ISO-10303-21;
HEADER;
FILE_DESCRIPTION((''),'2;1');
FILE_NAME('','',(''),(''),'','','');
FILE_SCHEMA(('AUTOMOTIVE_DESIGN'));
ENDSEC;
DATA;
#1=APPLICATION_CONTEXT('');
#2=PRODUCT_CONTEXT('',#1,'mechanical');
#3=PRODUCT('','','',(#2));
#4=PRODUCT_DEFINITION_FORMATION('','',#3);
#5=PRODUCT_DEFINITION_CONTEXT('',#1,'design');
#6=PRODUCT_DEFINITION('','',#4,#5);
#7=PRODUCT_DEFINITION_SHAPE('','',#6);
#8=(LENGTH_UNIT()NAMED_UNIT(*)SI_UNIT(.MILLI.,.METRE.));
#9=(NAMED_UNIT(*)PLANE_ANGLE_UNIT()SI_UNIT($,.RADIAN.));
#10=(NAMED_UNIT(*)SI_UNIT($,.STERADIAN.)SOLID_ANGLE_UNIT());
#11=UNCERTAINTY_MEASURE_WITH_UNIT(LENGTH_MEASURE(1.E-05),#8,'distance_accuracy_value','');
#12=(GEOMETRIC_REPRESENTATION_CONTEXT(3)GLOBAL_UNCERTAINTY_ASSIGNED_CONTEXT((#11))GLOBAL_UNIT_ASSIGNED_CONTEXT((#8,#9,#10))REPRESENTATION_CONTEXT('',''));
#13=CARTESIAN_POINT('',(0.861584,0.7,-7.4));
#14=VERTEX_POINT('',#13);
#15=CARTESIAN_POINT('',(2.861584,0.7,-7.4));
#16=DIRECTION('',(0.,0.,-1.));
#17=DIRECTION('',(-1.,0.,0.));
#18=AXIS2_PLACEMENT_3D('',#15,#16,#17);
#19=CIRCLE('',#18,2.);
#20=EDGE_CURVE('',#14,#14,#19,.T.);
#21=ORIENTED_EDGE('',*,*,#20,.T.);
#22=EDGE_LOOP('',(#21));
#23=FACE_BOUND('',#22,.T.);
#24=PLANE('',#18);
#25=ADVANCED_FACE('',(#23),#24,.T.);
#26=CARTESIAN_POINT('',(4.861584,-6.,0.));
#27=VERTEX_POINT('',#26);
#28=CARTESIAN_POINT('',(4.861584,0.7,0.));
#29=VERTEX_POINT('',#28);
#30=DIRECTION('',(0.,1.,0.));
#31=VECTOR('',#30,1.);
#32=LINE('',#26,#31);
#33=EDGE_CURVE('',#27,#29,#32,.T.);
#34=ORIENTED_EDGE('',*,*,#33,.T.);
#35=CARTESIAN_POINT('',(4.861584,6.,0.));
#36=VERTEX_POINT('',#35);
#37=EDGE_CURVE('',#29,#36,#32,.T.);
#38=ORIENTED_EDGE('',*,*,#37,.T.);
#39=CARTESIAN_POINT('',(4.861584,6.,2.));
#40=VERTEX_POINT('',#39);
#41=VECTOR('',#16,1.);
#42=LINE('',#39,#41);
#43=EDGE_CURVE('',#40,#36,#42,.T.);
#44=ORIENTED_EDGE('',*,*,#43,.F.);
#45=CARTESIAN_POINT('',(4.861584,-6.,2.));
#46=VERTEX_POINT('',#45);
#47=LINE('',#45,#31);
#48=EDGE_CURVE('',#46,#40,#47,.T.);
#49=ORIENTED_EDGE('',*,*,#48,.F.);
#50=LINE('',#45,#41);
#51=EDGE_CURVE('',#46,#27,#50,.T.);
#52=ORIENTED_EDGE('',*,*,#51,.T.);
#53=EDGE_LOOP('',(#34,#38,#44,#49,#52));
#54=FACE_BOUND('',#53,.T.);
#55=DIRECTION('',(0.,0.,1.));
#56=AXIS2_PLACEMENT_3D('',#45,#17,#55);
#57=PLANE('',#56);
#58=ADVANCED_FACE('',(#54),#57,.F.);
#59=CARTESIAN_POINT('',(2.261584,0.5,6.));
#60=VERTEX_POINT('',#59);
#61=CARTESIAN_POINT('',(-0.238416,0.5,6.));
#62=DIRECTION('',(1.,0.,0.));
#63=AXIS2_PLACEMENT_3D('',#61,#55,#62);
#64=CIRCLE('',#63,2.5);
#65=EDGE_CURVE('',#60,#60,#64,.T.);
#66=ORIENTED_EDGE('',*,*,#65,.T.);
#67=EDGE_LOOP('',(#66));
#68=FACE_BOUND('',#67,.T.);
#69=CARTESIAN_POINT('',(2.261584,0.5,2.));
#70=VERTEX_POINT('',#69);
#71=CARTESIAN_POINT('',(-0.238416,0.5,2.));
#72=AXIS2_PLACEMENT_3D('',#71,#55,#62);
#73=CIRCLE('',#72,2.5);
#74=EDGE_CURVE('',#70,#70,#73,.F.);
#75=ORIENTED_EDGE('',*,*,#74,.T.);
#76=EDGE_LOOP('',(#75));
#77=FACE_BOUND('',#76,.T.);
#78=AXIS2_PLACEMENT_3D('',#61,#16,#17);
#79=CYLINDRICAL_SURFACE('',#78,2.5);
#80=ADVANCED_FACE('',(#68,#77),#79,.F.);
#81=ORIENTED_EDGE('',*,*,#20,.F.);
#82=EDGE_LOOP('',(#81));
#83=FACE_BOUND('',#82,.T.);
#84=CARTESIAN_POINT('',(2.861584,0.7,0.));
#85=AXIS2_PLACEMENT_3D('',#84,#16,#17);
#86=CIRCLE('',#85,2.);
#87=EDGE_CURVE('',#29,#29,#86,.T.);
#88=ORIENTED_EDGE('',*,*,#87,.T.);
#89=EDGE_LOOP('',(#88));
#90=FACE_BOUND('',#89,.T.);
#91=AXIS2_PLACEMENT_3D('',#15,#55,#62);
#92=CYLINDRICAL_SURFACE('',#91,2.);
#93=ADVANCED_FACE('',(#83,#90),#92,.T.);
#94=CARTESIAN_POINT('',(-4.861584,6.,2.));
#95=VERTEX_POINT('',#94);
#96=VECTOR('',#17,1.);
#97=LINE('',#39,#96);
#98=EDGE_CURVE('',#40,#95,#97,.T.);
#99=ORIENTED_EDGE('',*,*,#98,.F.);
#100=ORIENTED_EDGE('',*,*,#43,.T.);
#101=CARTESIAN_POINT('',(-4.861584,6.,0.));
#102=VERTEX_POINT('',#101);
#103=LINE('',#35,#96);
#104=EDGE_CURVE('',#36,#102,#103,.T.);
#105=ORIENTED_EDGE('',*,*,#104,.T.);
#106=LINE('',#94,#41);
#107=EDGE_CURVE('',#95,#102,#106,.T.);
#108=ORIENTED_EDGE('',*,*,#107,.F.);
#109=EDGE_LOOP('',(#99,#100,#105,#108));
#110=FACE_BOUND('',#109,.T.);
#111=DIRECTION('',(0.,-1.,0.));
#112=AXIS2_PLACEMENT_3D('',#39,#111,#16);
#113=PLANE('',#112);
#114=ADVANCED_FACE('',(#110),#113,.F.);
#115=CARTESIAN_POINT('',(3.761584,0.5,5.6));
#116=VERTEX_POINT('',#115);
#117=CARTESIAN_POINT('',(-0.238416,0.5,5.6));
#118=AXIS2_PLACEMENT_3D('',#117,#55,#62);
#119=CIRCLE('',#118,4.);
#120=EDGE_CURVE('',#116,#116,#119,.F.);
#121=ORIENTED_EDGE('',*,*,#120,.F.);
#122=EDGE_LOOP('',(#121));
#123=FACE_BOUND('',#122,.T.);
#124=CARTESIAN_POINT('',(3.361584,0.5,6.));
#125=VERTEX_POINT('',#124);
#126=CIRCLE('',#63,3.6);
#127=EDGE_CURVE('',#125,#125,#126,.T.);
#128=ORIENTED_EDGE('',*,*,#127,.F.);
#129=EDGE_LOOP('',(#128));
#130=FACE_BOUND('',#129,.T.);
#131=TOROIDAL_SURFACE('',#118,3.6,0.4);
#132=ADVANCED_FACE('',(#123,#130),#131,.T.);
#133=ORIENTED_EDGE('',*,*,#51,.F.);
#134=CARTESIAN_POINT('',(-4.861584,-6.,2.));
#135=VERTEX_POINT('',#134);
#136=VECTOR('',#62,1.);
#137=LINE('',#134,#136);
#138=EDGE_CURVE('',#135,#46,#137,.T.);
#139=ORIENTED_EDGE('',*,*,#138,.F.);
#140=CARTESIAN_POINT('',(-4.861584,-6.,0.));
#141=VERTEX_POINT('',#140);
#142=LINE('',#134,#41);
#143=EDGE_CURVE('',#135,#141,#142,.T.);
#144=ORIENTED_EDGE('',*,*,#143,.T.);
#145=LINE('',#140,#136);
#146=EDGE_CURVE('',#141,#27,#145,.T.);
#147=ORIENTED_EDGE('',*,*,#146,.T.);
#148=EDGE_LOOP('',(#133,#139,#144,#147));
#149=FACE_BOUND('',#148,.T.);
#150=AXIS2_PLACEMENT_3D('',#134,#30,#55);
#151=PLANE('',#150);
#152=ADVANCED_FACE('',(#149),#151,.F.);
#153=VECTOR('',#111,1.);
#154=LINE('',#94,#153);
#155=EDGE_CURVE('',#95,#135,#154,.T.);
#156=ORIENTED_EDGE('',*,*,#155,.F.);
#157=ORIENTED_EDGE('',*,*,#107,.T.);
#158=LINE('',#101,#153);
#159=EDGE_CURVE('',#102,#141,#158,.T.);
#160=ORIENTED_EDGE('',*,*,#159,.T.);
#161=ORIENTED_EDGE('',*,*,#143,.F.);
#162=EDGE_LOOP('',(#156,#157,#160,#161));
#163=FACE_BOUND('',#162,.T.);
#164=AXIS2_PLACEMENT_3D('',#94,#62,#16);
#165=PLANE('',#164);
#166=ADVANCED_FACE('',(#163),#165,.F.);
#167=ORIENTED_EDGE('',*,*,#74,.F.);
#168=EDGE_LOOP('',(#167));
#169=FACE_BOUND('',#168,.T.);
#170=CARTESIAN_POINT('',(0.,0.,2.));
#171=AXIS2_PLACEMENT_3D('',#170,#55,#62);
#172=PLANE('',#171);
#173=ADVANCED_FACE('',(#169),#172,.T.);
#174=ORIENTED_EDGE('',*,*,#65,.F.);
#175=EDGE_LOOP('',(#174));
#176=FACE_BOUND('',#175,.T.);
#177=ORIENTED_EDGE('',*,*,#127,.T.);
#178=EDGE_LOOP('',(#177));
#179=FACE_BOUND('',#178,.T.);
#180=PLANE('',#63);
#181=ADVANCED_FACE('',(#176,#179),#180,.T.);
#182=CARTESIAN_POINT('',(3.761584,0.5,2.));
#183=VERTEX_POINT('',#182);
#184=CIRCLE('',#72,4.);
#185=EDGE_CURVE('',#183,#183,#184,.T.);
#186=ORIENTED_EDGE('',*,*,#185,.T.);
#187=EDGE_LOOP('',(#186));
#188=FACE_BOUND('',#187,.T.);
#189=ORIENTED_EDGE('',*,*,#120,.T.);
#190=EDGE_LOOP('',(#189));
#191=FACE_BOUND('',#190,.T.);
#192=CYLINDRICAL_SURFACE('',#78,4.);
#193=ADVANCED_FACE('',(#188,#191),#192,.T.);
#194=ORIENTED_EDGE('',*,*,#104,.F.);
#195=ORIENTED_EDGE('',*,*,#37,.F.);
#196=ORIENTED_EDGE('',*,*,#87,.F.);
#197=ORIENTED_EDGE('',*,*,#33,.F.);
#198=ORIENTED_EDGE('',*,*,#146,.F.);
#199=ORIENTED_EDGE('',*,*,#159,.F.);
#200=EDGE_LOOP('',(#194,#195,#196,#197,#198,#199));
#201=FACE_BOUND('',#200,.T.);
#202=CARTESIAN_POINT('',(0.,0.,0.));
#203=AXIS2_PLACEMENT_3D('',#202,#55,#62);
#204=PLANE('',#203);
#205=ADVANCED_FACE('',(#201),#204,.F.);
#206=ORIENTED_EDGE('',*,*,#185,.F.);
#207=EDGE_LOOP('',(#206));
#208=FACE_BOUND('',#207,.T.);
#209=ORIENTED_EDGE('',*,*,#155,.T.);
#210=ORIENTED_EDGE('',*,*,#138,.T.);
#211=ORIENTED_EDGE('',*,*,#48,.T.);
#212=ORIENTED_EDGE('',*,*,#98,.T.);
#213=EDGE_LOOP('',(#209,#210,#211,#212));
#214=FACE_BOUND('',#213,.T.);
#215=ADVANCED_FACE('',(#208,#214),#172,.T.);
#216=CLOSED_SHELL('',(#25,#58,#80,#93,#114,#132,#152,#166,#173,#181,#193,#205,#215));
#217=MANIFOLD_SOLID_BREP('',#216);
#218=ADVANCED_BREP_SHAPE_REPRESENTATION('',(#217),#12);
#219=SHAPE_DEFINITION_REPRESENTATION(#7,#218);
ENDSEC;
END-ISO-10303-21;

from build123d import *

# Parameters (mm, degrees)
SKETCH_2_W      = 9.723167254
SKETCH_2_H      = 12
EXTRUDE_1_DEPTH = 2
SKETCH_3_R      = 4
SKETCH_3_R_2    = 2.5
EXTRUDE_2_DEPTH = 4
SKETCH_4_R      = 2
EXTRUDE_3_DEPTH = 7.4
FILLET_1_R      = 0.4


with BuildPart() as part:
    # Эскиз2 → Бобышка-Вытянуть1 (new body)
    with BuildSketch(Plane.XY):
        Rectangle(SKETCH_2_W, SKETCH_2_H)
    extrude(amount=EXTRUDE_1_DEPTH)

    # Эскиз3 → Бобышка-Вытянуть2 (add)
    with BuildSketch(Plane.XY.offset(2)):
        with Locations((-0.238416373, 0.5)):
            Circle(SKETCH_3_R)
        with Locations((-0.238416373, 0.5)):
            Circle(SKETCH_3_R_2, mode=Mode.SUBTRACT)
    extrude(amount=EXTRUDE_2_DEPTH)

    # Эскиз4 → Бобышка-Вытянуть3 (add)
    with BuildSketch(Plane(origin=(0, 0, 0), x_dir=(-1, 0, 0), z_dir=(0, 0, -1))):
        with Locations(Location((-2.861583627, 0.7, 0), (0, 0, 180))):
            Circle(SKETCH_4_R)
    extrude(amount=EXTRUDE_3_DEPTH)

    # Скругление1
    fillet_1_edges = [part.edges().sort_by_distance(p)[0] for p in [
        (-4.238416373, 0.5, 6),
    ]]
    fillet(fillet_1_edges, radius=FILLET_1_R)


solid = part.part
